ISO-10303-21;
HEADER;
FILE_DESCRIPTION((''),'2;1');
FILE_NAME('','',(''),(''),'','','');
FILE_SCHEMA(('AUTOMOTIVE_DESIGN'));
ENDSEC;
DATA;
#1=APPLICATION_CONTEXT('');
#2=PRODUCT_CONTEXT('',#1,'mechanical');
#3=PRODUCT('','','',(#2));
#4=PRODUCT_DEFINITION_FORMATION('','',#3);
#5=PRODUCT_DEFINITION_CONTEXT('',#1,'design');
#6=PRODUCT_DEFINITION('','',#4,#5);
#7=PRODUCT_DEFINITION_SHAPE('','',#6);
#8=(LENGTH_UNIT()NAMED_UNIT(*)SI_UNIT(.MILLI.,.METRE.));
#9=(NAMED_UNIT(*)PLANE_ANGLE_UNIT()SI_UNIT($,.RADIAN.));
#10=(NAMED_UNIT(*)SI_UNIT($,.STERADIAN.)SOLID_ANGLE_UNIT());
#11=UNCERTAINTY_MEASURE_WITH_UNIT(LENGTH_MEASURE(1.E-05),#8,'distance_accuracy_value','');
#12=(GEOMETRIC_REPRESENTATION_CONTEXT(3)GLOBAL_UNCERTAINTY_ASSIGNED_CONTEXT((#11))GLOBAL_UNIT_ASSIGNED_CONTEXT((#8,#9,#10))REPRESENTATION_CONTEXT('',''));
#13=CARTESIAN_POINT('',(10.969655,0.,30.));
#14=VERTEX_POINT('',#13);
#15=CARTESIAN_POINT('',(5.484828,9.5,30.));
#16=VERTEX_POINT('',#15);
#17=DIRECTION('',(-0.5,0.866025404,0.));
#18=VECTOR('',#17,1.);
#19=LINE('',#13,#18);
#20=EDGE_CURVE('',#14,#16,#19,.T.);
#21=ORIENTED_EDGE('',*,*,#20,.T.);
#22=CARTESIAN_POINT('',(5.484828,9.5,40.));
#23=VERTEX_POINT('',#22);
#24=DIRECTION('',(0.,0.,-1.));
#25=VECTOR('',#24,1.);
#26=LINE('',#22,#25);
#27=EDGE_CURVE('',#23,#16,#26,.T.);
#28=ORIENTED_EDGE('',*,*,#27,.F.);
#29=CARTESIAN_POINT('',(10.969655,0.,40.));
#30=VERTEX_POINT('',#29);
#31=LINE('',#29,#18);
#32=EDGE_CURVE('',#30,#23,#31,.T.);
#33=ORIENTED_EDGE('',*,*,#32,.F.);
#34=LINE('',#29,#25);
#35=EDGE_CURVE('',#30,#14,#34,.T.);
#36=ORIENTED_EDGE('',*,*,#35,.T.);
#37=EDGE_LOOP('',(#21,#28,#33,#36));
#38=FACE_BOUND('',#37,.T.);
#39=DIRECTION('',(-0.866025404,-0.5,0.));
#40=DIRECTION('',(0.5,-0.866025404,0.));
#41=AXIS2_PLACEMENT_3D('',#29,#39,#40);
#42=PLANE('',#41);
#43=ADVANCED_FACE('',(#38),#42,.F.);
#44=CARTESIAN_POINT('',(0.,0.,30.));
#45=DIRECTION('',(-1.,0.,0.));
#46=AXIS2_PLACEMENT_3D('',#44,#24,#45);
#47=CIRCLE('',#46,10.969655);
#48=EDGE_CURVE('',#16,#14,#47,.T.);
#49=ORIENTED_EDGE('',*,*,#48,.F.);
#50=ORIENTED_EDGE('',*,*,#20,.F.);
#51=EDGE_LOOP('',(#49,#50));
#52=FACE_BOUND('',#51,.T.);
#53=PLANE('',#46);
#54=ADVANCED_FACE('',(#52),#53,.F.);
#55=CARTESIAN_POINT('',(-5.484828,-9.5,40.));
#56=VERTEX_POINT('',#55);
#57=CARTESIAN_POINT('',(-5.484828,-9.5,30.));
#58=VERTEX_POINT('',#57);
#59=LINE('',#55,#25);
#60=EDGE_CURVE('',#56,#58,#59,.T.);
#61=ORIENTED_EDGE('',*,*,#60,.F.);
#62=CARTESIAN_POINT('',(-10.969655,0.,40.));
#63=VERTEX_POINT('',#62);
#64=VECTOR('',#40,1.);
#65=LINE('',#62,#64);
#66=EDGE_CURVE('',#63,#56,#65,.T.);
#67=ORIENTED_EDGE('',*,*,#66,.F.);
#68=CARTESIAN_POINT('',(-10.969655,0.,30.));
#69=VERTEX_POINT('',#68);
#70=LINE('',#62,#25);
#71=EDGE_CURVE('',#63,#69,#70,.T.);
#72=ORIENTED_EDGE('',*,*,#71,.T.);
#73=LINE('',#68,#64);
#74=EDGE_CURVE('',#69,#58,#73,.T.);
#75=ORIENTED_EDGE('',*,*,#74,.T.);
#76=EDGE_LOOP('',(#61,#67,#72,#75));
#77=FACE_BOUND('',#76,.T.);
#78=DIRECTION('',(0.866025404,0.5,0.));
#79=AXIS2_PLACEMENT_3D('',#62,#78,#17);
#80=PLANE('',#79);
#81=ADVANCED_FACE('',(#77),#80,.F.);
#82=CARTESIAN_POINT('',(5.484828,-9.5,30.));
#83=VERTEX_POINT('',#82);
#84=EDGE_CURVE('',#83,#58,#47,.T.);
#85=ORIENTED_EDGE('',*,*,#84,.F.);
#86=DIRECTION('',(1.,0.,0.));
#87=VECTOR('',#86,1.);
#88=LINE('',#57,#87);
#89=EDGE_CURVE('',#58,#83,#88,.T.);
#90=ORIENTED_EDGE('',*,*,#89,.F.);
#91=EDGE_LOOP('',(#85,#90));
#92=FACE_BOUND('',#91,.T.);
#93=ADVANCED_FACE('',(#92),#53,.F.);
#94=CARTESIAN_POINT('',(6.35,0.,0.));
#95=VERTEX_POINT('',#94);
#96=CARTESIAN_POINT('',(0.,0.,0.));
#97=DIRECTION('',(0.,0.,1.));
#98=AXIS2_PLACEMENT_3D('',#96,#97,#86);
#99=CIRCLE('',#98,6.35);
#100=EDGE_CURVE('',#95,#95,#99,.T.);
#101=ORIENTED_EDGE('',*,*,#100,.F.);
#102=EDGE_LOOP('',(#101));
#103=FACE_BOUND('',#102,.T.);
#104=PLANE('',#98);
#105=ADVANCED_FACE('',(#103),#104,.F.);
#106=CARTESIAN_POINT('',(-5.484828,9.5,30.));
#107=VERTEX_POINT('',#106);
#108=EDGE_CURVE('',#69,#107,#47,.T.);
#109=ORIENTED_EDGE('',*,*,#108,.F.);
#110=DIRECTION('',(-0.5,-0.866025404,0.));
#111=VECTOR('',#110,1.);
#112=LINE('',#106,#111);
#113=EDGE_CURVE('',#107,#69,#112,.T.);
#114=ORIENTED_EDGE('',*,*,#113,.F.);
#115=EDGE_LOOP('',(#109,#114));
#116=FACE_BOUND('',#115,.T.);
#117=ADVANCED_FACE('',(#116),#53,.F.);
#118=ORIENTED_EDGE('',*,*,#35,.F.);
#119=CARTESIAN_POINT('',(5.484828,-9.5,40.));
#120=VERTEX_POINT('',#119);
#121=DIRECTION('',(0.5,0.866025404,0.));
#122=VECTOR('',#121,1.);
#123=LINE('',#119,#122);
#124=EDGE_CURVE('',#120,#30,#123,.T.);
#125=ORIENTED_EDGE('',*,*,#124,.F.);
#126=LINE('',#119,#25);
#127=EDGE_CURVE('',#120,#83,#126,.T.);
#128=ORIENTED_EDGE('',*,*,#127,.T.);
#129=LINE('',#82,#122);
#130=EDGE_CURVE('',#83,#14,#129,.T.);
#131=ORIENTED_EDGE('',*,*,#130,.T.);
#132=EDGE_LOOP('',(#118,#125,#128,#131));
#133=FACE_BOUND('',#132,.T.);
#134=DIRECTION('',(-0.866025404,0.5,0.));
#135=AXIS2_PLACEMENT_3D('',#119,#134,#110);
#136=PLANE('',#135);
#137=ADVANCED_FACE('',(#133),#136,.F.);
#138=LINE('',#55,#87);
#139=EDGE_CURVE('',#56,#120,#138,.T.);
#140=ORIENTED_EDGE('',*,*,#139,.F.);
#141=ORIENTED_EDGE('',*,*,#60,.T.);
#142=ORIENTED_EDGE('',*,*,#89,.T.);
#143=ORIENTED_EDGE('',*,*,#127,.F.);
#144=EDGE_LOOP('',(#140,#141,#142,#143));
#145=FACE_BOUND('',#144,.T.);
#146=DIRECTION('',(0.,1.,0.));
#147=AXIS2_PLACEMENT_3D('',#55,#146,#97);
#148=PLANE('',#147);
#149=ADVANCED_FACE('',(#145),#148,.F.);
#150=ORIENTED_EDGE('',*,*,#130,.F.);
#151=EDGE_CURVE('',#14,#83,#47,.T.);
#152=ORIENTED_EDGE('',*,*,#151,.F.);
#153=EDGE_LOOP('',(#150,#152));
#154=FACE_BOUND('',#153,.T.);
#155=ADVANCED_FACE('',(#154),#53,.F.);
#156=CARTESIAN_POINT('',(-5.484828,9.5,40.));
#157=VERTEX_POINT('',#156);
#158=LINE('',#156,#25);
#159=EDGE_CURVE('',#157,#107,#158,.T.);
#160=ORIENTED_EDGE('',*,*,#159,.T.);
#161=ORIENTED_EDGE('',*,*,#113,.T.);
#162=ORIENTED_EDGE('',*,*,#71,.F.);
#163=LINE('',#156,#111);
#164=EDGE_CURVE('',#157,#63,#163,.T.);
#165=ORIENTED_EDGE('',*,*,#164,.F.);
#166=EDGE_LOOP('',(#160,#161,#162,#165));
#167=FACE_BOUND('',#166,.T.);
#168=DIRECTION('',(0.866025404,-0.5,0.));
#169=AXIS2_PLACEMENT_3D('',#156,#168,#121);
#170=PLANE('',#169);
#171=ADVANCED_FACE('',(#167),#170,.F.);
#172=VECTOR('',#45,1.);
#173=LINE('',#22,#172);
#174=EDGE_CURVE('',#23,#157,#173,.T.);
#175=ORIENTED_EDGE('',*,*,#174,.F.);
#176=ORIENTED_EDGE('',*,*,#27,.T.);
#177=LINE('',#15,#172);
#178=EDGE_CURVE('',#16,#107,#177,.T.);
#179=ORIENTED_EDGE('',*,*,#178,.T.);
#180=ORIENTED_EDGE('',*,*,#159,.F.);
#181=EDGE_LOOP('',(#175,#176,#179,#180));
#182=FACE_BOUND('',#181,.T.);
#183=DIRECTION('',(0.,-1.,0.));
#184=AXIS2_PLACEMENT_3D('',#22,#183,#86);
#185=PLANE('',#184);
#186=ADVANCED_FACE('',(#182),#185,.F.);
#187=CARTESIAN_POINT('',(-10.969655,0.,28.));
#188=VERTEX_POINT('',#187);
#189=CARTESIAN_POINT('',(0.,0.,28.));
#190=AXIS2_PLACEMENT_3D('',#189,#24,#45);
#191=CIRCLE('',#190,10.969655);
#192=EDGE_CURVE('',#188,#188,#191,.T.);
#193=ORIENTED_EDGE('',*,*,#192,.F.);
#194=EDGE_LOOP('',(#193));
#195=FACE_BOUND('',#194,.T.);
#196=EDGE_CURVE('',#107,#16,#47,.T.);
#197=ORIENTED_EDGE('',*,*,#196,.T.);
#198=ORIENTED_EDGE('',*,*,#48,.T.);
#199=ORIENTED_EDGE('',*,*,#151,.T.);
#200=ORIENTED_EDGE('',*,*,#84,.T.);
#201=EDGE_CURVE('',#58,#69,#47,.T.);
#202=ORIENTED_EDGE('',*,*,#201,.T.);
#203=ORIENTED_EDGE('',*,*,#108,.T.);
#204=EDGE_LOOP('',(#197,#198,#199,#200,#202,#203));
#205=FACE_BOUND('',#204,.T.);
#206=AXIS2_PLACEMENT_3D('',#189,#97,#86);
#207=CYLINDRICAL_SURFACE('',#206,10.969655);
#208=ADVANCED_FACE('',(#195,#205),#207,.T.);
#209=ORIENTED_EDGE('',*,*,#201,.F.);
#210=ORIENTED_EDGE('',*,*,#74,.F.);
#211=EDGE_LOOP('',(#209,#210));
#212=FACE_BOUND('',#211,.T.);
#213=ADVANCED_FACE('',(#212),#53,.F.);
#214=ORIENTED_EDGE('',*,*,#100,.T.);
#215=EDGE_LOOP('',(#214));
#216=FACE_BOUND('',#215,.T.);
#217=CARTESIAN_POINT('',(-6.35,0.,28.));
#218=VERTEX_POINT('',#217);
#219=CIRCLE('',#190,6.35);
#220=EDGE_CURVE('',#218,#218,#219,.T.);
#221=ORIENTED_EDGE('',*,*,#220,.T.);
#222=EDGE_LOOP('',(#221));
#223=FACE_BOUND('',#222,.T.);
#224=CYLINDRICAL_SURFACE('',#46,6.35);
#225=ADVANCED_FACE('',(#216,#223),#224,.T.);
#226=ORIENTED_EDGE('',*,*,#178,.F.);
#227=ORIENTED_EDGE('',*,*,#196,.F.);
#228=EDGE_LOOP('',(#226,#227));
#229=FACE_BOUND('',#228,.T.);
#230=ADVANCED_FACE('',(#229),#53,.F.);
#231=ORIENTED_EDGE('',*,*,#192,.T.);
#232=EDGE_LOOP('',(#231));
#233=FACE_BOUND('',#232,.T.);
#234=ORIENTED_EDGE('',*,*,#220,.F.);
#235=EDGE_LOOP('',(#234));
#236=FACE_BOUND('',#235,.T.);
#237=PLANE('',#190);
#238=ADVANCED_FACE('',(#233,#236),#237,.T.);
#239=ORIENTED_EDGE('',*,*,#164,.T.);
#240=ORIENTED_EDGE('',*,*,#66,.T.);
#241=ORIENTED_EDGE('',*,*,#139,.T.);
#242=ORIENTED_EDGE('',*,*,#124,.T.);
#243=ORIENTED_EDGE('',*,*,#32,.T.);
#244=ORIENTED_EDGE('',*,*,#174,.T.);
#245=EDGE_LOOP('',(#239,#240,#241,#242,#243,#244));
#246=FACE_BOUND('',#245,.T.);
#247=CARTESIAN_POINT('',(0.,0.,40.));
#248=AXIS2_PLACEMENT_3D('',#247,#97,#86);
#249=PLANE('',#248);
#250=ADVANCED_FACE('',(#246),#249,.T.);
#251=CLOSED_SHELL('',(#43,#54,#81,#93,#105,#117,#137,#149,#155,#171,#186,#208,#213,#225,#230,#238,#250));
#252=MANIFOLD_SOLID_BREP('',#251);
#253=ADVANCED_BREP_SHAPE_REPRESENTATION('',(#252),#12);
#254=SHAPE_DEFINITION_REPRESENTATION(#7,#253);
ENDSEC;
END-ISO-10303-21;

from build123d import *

# Parameters (mm, degrees)
CROQUIS1_R              = 6.35
SALIENTE_EXTRUIR1_DEPTH = 30
SALIENTE_EXTRUIR2_DEPTH = 10
CROQUIS3_R              = 10.969655115
SALIENTE_EXTRUIR3_DEPTH = 2


with BuildPart() as part:
    # Croquis1 → Saliente-Extruir1 (new body)
    with BuildSketch(Plane.XY):
        Circle(CROQUIS1_R)
    extrude(amount=SALIENTE_EXTRUIR1_DEPTH)

    # Croquis2 → Saliente-Extruir2 (add)
    with BuildSketch(Plane.XY.offset(30)):
        Polygon((10.969655115, 0), (5.484827557, 9.5), (-5.484827557, 9.5), (-10.969655115, 0), (-5.484827557, -9.5), (5.484827557, -9.5), align=None)
    extrude(amount=SALIENTE_EXTRUIR2_DEPTH)

    # Croquis3 → Saliente-Extruir3 (add)
    with BuildSketch(Plane(origin=(0, 0, 30), x_dir=(-1, 0, 0), z_dir=(0, 0, -1))):
        Circle(CROQUIS3_R)
    extrude(amount=SALIENTE_EXTRUIR3_DEPTH)


solid = part.part
